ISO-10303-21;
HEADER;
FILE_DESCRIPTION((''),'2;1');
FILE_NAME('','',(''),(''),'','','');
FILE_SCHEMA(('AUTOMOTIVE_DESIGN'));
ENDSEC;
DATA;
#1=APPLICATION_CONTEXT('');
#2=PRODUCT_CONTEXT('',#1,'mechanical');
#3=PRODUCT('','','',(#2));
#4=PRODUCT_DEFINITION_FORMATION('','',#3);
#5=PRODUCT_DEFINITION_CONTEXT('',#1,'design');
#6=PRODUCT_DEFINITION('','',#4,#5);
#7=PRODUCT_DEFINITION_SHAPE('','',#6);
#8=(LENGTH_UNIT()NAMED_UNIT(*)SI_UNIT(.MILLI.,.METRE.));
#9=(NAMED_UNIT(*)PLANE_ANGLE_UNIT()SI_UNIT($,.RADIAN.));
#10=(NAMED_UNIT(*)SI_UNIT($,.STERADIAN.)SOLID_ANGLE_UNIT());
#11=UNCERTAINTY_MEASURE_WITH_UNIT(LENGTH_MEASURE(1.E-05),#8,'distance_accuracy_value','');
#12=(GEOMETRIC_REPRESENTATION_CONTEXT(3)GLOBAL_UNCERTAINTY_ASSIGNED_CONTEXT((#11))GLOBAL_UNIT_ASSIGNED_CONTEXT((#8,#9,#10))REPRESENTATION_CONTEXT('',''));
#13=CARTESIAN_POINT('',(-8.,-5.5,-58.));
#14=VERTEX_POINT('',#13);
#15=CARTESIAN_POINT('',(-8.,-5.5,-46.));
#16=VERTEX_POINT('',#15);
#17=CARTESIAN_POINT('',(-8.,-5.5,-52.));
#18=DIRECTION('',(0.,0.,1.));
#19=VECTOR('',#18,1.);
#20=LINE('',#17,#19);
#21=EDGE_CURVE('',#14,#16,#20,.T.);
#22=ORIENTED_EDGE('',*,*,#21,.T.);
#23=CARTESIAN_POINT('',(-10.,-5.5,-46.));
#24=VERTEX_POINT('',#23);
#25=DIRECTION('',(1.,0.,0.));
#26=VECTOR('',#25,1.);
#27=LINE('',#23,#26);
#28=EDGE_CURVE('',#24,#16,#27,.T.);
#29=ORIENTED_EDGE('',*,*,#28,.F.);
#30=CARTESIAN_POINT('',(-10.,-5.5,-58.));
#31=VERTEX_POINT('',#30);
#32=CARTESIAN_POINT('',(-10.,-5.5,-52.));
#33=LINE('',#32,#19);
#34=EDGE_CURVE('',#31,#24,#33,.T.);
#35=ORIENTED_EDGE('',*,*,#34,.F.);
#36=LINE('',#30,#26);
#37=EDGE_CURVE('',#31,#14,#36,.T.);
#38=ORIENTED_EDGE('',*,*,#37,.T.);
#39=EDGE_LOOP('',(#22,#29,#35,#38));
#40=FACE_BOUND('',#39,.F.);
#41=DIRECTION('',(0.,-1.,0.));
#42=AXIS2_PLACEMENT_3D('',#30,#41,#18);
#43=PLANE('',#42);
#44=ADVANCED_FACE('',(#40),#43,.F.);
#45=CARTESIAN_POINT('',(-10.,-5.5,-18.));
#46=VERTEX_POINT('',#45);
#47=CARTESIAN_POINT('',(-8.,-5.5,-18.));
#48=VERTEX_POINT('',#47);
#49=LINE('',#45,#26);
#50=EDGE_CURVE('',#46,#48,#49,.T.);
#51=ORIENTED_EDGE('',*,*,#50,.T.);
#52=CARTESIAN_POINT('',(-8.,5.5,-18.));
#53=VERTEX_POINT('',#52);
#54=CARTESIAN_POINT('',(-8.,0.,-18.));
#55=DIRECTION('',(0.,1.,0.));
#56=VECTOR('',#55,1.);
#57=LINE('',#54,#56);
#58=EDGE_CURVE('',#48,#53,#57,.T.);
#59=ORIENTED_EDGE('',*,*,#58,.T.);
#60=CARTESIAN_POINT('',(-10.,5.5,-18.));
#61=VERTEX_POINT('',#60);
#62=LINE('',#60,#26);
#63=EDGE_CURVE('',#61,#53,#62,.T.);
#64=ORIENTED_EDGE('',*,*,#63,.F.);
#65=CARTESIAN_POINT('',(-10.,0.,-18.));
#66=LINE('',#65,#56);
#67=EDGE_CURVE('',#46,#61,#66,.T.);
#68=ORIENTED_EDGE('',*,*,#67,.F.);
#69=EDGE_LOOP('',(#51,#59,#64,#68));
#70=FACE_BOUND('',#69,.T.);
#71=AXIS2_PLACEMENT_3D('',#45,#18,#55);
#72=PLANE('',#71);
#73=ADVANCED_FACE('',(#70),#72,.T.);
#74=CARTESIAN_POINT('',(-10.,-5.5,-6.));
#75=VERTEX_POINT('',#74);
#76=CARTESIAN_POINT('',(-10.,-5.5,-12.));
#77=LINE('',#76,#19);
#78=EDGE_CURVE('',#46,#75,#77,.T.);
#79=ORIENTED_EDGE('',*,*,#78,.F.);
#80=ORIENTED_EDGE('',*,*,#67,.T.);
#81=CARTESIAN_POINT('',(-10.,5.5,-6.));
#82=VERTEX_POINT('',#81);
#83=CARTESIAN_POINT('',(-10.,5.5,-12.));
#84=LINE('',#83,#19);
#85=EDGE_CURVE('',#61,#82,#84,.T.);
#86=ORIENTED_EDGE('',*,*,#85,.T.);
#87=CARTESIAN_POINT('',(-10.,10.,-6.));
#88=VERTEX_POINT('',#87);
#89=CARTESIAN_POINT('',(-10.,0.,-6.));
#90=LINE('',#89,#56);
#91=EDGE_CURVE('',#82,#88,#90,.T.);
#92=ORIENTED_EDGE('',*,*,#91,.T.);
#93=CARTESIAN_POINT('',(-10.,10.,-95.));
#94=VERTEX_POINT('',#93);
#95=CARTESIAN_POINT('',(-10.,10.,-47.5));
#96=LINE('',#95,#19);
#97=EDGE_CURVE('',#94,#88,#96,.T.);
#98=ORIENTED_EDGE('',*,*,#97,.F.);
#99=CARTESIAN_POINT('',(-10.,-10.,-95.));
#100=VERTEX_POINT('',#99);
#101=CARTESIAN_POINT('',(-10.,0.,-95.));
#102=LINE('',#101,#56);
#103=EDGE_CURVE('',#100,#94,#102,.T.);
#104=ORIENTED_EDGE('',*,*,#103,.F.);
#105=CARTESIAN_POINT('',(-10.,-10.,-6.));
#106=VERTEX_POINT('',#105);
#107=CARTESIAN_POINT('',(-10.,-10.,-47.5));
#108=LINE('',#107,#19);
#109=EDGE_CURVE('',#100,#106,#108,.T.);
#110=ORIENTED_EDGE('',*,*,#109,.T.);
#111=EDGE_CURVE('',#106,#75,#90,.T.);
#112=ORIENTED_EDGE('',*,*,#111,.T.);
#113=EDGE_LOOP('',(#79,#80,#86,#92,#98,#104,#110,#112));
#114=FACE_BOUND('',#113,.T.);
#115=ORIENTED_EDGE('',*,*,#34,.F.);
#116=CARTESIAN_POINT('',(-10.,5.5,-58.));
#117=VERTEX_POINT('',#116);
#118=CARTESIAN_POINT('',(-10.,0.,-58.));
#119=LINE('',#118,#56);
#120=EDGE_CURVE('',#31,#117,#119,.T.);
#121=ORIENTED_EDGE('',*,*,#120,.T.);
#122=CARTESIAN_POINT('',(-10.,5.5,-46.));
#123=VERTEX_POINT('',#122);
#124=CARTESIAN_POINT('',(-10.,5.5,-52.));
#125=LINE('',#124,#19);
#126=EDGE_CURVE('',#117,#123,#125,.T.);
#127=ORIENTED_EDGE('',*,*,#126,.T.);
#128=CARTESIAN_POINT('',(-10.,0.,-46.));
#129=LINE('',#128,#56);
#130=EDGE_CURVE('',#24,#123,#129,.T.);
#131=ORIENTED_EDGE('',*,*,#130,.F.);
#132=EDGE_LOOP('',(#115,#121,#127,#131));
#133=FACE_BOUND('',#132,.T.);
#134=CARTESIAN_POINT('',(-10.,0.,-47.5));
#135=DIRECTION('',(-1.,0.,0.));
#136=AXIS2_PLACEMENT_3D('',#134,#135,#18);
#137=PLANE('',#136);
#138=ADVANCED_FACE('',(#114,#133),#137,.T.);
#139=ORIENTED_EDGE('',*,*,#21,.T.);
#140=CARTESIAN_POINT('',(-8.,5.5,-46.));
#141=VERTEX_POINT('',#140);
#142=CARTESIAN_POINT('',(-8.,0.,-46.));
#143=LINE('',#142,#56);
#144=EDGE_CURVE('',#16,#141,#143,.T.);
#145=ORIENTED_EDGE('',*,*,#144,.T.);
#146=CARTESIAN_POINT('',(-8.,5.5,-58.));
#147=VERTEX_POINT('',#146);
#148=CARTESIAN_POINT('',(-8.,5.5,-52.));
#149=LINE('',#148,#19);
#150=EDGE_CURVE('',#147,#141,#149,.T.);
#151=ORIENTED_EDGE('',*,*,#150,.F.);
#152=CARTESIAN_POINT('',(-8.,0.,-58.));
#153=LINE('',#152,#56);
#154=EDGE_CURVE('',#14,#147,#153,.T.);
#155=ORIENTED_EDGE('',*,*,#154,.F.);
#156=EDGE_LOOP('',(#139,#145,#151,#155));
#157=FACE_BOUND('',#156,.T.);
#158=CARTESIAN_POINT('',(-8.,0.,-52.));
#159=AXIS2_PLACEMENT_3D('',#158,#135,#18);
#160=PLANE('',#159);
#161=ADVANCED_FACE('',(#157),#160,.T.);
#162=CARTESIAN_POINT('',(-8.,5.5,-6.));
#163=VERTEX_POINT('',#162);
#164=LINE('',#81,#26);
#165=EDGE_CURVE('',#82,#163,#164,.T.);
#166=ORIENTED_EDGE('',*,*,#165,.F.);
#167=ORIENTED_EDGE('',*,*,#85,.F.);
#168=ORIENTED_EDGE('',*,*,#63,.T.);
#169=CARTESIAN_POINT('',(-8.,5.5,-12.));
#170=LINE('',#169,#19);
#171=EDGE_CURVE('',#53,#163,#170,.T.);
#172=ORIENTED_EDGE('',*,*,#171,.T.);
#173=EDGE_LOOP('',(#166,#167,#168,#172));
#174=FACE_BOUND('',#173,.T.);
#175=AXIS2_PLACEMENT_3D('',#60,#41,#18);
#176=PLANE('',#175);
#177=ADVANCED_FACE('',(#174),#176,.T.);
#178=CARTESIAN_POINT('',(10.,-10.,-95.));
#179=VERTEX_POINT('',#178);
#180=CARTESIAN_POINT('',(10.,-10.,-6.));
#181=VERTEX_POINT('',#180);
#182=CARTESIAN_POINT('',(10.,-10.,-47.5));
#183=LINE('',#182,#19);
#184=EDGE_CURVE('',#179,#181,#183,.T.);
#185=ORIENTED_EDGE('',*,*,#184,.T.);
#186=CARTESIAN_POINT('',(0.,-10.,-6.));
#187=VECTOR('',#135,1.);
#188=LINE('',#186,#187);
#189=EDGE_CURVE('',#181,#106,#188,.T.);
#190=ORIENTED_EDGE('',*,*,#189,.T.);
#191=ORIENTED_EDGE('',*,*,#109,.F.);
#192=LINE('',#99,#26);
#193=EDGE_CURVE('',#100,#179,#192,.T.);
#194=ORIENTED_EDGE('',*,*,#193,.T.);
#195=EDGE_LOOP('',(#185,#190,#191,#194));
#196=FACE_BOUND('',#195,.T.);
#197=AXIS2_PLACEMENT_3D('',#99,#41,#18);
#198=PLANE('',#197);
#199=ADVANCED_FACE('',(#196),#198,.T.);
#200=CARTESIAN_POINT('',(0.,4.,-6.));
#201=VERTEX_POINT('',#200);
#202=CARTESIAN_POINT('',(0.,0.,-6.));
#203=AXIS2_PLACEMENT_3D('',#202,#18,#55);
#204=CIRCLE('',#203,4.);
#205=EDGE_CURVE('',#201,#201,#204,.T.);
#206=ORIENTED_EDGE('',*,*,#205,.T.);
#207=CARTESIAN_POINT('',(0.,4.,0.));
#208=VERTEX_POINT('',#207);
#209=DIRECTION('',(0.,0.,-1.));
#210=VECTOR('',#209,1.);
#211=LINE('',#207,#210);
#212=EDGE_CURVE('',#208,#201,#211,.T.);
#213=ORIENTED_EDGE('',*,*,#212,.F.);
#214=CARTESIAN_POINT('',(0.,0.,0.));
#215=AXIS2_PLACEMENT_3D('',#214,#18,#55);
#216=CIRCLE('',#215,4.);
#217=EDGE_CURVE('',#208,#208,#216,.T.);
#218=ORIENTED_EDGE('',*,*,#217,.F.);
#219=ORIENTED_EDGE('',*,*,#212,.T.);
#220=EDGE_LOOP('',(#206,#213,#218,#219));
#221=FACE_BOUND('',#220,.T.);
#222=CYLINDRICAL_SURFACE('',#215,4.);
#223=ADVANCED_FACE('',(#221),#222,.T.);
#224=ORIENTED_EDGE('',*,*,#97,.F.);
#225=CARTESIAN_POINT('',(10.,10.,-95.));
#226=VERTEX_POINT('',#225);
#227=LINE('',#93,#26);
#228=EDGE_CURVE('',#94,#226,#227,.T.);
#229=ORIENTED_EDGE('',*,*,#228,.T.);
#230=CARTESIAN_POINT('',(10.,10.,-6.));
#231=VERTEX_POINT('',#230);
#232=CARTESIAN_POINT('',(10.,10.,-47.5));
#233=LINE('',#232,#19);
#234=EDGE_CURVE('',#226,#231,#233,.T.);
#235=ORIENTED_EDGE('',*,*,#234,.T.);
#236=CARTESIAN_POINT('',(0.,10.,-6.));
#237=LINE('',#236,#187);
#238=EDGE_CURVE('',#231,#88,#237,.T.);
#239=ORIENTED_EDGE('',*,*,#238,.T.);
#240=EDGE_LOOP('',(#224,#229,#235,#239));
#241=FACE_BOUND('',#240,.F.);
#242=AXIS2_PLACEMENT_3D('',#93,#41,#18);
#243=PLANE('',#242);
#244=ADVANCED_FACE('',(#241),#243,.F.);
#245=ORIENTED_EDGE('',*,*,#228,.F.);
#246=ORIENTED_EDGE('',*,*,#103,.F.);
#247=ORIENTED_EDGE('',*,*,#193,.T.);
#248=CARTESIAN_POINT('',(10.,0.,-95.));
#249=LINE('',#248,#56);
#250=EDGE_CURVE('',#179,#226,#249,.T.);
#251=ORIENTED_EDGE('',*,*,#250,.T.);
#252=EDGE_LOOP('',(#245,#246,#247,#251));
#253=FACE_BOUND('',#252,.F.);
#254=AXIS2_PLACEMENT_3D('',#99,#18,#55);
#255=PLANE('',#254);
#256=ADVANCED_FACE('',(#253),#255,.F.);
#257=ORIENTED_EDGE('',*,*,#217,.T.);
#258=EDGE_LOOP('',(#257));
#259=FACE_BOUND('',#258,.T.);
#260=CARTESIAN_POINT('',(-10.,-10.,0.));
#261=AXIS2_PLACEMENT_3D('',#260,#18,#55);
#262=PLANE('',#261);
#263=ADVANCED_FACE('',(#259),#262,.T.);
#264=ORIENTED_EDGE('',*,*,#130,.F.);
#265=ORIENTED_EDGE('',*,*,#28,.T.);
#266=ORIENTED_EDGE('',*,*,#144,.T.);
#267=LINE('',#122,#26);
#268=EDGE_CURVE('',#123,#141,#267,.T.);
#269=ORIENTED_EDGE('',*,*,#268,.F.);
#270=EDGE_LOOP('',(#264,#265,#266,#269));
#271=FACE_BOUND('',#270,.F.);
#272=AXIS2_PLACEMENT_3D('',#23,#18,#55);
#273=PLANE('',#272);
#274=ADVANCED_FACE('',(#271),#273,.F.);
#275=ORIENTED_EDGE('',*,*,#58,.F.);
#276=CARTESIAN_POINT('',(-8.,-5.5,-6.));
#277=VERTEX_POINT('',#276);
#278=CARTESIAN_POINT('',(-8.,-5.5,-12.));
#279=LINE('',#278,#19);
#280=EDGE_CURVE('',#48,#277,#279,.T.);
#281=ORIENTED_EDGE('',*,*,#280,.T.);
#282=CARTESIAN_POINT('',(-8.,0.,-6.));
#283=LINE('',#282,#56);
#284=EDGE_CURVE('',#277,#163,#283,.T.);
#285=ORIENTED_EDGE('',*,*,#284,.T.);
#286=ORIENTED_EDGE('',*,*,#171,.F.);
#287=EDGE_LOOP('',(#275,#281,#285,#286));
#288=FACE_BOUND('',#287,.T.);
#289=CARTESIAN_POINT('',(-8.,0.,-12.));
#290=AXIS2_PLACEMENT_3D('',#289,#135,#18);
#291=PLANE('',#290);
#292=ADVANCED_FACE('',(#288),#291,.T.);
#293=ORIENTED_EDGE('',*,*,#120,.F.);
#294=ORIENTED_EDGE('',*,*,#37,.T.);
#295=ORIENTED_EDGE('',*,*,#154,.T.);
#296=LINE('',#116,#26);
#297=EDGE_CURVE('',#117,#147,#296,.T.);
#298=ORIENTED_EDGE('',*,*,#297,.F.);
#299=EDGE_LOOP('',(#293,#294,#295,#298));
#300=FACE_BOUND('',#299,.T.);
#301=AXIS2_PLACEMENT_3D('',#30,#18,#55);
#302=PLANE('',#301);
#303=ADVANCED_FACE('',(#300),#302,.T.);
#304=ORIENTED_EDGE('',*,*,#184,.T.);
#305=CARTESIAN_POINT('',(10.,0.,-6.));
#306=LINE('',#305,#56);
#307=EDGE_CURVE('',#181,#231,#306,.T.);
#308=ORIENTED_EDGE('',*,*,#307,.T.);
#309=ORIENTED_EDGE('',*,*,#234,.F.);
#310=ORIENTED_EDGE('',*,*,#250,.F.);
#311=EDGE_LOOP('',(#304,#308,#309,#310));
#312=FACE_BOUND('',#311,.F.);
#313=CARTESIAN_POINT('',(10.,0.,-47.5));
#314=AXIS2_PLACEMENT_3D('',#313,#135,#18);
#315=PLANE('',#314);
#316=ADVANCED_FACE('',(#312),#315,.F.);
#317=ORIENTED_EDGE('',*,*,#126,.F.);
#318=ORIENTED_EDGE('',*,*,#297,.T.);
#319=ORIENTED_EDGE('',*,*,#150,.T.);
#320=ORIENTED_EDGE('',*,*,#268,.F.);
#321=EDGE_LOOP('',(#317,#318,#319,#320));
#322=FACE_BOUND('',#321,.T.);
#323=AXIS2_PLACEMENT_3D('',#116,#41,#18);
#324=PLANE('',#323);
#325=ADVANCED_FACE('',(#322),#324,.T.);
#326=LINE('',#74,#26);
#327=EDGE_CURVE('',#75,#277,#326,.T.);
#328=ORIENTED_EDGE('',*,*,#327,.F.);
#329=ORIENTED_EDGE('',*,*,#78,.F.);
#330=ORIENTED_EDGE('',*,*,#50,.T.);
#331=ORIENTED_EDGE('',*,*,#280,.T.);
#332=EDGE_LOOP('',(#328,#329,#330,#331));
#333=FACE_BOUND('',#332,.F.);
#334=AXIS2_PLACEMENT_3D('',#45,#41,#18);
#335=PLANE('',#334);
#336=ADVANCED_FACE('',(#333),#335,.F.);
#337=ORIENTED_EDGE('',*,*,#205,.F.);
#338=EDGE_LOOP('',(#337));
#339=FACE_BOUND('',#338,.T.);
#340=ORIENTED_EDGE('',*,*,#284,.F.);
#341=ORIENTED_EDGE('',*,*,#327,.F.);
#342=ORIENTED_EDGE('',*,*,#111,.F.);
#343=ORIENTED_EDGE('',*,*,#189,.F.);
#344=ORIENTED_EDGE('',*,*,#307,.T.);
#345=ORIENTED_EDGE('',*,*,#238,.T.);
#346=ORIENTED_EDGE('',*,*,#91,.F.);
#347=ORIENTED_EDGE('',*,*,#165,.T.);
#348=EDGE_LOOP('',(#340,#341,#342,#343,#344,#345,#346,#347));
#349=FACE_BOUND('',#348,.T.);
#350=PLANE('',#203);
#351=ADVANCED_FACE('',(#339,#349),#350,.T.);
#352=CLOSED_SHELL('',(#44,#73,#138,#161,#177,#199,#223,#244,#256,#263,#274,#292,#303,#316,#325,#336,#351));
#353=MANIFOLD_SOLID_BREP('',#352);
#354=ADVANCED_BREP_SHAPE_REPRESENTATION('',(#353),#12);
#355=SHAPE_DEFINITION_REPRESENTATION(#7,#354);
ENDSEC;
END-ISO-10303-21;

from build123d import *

# Parameters (mm, degrees)
SKETCH_W              = 95
SKETCH_H              = 20
PAD_DEPTH             = 20
SKETCH001_W           = 20
SKETCH001_H           = 20
SKETCH001_R           = 4
POCKET_DEPTH          = 6
SKETCH003_W           = 12
SKETCH003_H           = 11
POCKET001_DEPTH       = 2
CLONE_PLACEMENT_ANGLE = 270


with BuildPart() as part:
    # Sketch → Pad (new body)
    with BuildSketch(Plane.XY):
        Rectangle(SKETCH_W, SKETCH_H)
    extrude(amount=-PAD_DEPTH)

    # Sketch001 (on Face2 of Pad) → Pocket (cut)
    with BuildSketch(Plane.YZ.offset(47.5)):
        with Locations((0, -10)):
            Rectangle(SKETCH001_W, SKETCH001_H)
        with Locations((0, -10)):
            Circle(SKETCH001_R, mode=Mode.SUBTRACT)
    extrude(amount=-POCKET_DEPTH, mode=Mode.SUBTRACT)

    # Sketch003 (on Face2 of Pocket) → Pocket001 (cut)
    with BuildSketch(Plane.XY):
        with Locations((35.5, 0)):
            Rectangle(SKETCH003_W, SKETCH003_H)
        with Locations((-4.5, 0)):
            Rectangle(SKETCH003_W, SKETCH003_H)
    extrude(amount=-POCKET001_DEPTH, mode=Mode.SUBTRACT)


with BuildPart() as part_1:
    # Clone placement: moved
    add(part.part.moved(Location((-10, 0, -47.5))).rotate(Axis((-10, 0, -47.5), (0, 1, 0)), CLONE_PLACEMENT_ANGLE))


solid = part_1.part
